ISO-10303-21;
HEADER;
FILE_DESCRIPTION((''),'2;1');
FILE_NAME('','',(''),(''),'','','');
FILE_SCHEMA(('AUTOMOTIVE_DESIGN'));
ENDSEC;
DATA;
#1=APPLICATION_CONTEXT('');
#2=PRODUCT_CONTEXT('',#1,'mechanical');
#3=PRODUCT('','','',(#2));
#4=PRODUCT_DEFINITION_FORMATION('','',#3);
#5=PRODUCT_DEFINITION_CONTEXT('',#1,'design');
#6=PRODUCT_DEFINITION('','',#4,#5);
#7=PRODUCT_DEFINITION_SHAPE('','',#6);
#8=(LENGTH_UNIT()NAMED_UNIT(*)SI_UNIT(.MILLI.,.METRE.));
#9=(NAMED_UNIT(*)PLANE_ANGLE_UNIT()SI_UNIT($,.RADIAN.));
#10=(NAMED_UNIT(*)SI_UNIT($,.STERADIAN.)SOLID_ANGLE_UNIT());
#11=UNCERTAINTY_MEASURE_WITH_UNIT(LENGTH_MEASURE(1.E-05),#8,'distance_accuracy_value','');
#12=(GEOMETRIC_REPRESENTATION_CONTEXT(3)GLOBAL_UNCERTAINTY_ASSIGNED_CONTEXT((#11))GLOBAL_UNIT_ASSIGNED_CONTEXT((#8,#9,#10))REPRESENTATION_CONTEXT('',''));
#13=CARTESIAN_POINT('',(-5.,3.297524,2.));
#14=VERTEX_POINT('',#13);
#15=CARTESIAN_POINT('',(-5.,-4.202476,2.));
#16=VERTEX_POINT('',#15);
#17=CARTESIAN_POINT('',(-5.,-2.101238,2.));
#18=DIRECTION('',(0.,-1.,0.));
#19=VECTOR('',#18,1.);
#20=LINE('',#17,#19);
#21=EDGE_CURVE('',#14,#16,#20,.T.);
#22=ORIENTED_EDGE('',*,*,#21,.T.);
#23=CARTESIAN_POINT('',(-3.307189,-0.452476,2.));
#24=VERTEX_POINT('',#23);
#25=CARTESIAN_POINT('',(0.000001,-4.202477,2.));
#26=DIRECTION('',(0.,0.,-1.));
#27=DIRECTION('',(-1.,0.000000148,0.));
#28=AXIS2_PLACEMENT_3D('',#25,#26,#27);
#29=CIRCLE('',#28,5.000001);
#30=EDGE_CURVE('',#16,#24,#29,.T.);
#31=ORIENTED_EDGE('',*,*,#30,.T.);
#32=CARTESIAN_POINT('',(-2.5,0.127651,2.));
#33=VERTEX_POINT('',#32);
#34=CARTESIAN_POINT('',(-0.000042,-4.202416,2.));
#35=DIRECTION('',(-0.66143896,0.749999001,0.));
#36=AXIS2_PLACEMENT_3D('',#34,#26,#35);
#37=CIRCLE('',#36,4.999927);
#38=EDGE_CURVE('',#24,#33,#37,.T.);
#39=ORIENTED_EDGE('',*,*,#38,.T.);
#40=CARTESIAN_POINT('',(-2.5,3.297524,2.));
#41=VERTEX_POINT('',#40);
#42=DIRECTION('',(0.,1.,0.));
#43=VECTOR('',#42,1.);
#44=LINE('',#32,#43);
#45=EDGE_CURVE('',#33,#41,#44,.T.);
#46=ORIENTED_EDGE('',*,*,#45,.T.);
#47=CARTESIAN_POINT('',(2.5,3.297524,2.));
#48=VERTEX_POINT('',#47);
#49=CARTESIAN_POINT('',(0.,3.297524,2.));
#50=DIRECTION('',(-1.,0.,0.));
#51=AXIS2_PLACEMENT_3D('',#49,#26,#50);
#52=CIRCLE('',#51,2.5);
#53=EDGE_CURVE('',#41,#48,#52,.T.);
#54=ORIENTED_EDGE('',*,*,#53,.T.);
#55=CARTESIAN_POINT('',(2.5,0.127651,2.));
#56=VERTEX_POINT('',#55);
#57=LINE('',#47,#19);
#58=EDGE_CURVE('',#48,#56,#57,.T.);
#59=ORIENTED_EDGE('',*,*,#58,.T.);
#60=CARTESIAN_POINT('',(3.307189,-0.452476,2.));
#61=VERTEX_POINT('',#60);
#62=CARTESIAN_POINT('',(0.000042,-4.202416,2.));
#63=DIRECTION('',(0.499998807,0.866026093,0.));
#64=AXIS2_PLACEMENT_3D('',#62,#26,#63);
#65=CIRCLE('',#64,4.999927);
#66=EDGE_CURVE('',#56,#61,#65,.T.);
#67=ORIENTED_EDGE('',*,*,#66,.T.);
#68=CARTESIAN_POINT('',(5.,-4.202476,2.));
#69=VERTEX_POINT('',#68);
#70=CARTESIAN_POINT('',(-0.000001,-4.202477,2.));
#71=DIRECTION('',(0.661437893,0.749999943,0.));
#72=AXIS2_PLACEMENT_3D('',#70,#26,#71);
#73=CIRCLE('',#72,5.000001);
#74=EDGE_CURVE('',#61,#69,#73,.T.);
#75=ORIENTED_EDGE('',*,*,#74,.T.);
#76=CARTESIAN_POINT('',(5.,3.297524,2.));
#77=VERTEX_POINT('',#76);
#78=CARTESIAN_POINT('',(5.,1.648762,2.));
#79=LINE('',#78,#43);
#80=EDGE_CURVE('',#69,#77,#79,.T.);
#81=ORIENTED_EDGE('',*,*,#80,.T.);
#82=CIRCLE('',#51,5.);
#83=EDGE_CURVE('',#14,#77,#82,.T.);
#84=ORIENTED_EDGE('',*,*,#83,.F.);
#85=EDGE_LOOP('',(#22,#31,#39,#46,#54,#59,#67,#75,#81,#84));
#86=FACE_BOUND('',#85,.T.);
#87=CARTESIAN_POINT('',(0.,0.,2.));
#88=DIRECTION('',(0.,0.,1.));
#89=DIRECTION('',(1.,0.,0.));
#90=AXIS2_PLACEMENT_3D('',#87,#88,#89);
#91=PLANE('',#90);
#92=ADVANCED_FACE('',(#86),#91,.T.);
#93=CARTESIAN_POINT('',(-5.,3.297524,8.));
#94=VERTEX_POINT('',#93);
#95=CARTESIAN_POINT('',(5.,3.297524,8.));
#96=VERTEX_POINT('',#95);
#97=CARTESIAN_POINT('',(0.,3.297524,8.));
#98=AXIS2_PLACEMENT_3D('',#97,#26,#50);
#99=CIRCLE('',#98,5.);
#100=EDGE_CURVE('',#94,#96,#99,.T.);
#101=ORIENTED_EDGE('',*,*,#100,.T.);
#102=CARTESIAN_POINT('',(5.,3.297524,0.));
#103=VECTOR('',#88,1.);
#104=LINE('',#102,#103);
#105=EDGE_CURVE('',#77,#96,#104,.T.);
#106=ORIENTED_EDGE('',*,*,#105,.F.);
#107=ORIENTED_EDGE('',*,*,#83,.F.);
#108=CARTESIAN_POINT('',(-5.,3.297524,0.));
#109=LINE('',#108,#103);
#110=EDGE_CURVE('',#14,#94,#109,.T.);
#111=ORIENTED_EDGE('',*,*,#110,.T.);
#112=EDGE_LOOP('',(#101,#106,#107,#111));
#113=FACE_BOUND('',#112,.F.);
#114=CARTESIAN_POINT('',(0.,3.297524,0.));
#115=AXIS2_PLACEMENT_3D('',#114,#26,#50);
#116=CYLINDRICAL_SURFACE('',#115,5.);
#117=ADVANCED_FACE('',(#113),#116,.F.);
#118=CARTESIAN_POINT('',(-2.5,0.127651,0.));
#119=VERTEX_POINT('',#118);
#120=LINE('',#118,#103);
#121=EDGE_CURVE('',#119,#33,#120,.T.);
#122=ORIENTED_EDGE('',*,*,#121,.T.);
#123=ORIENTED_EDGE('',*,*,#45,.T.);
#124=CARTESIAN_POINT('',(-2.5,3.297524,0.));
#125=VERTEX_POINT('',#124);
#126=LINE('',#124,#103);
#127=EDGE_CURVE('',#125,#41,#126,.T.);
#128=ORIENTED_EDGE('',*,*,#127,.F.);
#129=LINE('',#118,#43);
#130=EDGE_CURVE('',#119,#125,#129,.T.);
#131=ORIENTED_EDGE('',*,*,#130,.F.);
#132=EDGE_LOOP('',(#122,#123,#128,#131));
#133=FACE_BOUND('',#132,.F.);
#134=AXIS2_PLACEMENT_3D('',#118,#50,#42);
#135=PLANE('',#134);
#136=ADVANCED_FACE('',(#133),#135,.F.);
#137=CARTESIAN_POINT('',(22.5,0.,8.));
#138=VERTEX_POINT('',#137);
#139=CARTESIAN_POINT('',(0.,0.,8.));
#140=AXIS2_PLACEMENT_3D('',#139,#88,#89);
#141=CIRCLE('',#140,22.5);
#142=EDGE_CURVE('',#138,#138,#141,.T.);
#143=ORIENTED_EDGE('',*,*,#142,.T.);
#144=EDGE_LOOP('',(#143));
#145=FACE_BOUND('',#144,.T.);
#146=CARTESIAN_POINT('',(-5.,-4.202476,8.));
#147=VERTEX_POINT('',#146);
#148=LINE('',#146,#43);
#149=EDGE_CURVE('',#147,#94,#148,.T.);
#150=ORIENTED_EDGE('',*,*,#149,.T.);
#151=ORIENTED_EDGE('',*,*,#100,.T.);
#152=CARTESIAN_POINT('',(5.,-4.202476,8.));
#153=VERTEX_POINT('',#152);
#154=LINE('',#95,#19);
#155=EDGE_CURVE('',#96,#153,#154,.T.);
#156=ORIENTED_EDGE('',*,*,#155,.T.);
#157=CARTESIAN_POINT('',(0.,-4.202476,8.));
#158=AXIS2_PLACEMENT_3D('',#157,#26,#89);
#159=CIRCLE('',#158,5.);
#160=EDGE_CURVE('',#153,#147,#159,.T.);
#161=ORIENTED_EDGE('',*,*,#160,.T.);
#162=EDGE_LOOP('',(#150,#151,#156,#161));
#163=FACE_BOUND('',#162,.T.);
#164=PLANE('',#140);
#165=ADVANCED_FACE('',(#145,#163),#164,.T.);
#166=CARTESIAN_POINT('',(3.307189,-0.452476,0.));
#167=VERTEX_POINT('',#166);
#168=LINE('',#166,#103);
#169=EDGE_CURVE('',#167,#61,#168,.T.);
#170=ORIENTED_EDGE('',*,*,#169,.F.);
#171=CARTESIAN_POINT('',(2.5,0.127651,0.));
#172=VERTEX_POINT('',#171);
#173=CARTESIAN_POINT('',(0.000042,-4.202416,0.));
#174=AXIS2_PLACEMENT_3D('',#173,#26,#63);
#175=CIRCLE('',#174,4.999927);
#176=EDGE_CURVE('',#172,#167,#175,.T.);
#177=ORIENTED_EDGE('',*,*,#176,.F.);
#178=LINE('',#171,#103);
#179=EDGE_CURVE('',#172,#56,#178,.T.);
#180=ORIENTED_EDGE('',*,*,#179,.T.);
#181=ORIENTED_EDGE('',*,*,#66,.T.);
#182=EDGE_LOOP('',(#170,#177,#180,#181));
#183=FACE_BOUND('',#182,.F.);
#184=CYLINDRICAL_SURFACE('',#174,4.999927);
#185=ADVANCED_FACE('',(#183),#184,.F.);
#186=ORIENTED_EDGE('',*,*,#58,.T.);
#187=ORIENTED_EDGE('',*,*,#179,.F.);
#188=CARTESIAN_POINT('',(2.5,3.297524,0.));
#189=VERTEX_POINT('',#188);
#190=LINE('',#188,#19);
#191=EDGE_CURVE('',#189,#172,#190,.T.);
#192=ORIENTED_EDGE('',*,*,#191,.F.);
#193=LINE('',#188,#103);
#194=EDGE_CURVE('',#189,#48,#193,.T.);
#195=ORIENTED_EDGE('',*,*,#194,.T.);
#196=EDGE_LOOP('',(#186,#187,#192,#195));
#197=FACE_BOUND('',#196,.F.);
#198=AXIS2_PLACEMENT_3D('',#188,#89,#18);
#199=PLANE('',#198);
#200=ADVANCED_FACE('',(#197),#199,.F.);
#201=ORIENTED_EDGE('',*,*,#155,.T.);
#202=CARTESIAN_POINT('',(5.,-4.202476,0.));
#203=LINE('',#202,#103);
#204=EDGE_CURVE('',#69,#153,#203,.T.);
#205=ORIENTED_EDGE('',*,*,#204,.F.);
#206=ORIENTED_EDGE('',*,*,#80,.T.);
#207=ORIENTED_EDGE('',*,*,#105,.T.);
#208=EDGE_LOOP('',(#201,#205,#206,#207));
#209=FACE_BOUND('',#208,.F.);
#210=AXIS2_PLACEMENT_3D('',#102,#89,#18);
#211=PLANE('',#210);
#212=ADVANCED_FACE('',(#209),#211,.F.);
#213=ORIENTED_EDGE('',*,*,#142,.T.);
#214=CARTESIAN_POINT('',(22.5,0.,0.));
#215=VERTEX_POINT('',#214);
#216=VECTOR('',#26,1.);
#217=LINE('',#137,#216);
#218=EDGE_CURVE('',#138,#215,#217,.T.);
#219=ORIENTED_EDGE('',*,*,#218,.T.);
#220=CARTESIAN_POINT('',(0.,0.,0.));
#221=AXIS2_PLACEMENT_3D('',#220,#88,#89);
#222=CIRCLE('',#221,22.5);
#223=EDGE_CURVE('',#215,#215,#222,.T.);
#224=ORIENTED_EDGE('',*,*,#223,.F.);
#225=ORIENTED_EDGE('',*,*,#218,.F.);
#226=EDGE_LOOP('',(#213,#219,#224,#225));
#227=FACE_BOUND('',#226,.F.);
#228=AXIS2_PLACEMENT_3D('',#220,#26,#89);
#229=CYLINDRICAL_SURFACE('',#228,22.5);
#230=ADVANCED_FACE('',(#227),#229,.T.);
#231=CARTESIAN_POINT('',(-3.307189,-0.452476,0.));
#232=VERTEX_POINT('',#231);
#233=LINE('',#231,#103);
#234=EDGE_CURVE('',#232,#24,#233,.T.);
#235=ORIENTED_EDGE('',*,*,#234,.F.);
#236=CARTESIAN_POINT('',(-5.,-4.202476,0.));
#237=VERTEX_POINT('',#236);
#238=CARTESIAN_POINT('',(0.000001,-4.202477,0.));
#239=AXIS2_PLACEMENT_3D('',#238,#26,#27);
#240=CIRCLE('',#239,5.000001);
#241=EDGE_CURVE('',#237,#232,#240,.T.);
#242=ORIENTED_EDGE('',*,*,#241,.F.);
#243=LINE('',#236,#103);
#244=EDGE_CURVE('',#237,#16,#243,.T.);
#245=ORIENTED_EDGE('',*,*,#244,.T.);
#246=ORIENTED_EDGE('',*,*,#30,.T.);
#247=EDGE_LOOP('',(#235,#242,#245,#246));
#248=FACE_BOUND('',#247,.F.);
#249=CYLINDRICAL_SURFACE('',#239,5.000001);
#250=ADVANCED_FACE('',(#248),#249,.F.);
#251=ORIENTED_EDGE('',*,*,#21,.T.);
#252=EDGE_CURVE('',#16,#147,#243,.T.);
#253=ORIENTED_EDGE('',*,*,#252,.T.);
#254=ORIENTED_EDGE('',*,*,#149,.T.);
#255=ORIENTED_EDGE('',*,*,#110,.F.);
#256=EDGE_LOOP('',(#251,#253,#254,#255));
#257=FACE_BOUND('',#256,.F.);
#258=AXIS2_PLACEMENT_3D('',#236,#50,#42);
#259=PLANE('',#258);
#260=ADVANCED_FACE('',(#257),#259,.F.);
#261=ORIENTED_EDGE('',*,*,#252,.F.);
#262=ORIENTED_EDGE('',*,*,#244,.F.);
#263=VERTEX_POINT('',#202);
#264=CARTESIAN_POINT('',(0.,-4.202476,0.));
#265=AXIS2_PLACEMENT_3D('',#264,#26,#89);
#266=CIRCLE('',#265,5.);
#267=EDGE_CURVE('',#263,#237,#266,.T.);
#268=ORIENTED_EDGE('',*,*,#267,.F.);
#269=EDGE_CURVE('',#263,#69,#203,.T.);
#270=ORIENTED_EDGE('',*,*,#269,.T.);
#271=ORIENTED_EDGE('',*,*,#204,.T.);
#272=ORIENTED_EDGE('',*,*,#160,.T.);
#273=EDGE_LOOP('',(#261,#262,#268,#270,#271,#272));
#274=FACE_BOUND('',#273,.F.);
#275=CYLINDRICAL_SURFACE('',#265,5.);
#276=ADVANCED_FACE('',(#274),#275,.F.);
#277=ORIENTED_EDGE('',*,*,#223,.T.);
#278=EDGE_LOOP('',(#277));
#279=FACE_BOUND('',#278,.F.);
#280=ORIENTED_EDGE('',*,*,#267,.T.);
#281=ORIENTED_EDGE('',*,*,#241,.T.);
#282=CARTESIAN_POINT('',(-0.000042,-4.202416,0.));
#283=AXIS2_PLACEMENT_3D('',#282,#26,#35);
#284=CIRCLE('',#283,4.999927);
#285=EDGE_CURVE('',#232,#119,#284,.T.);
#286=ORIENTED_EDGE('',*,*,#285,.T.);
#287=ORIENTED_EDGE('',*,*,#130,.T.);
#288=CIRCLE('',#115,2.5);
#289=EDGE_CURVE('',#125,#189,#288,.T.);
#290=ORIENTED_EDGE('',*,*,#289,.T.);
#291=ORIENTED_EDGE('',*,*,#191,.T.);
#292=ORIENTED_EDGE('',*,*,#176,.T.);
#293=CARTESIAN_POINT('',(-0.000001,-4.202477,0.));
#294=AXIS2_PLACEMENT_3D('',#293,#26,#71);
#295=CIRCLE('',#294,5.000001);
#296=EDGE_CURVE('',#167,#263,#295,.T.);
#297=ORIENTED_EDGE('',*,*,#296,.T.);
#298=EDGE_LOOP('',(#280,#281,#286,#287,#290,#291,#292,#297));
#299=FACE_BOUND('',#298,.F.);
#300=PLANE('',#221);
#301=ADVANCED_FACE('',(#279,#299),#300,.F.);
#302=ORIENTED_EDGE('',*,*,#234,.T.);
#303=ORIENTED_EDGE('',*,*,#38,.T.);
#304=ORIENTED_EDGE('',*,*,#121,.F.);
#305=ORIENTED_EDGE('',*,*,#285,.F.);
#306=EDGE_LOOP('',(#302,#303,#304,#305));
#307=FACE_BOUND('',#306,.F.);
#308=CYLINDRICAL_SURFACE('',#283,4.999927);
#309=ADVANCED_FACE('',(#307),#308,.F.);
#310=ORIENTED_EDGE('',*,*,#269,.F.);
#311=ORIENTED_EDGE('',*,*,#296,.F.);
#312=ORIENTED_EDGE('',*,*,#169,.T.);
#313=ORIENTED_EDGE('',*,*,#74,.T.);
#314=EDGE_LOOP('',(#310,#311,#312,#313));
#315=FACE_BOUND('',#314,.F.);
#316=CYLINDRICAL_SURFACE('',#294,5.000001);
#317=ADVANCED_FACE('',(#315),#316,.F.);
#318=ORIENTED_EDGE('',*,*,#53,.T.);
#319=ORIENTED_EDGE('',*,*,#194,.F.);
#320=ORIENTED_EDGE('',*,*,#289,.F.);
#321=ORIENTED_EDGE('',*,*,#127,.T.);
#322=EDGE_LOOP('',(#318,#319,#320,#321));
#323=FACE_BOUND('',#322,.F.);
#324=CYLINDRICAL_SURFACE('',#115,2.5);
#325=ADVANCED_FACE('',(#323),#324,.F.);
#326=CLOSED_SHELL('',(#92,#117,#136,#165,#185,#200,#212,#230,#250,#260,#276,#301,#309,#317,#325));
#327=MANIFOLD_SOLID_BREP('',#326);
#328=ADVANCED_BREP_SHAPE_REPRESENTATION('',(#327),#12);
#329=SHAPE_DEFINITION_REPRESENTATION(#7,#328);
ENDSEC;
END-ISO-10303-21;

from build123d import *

# Parameters (mm, degrees)
F0_R     = 22.5
F1_DEPTH = 2
F2_DEPTH = 8


with BuildPart() as f1:
    # F0 (on Top) → F1 (new body)
    with BuildSketch(Plane.XY):
        Circle(F0_R)
        with BuildLine():
            Line((5, 3.297524), (5, -4.202476))
            ThreePointArc((5, -4.202476), (0, -9.202476), (-5, -4.202476))
            Line((-5, -4.202476), (-5, 3.297524))
            ThreePointArc((-5, 3.297524), (0, 8.297524), (5, 3.297524))
        make_face(mode=Mode.SUBTRACT)
        with BuildLine():
            ThreePointArc((-5, -4.202476), (-4.557189, -2.145287), (-3.307189, -0.452476))
            ThreePointArc((-3.307189, -0.452476), (-4.557189, 1.240335), (-5, 3.297524))
            Line((-5, 3.297524), (-5, -4.202476))
        make_face()
        with BuildLine():
            ThreePointArc((-2.5, 3.297524), (0, 5.797524), (2.5, 3.297524))
            Line((2.5, 3.297524), (2.5, 0.127651))
            ThreePointArc((2.5, 0.127651), (2.918047, -0.142303), (3.307189, -0.452476))
            ThreePointArc((3.307189, -0.452476), (4.557189, 1.240335), (5, 3.297524))
            ThreePointArc((5, 3.297524), (0, 8.297524), (-5, 3.297524))
            ThreePointArc((-5, 3.297524), (-4.557189, 1.240335), (-3.307189, -0.452476))
            ThreePointArc((-3.307189, -0.452476), (-2.918047, -0.142303), (-2.5, 0.127651))
            Line((-2.5, 0.127651), (-2.5, 3.297524))
        make_face()
        with BuildLine():
            ThreePointArc((5, 3.297524), (4.557189, 1.240335), (3.307189, -0.452476))
            ThreePointArc((3.307189, -0.452476), (4.557189, -2.145287), (5, -4.202476))
            Line((5, -4.202476), (5, 3.297524))
        make_face()
    extrude(amount=F1_DEPTH)

    # F0 (on Top) → F2 (join)
    with BuildSketch(Plane.XY):
        Circle(F0_R)
        with BuildLine():
            Line((5, 3.297524), (5, -4.202476))
            ThreePointArc((5, -4.202476), (0, -9.202476), (-5, -4.202476))
            Line((-5, -4.202476), (-5, 3.297524))
            ThreePointArc((-5, 3.297524), (0, 8.297524), (5, 3.297524))
        make_face(mode=Mode.SUBTRACT)
    extrude(amount=F2_DEPTH)


solid = f1.part
